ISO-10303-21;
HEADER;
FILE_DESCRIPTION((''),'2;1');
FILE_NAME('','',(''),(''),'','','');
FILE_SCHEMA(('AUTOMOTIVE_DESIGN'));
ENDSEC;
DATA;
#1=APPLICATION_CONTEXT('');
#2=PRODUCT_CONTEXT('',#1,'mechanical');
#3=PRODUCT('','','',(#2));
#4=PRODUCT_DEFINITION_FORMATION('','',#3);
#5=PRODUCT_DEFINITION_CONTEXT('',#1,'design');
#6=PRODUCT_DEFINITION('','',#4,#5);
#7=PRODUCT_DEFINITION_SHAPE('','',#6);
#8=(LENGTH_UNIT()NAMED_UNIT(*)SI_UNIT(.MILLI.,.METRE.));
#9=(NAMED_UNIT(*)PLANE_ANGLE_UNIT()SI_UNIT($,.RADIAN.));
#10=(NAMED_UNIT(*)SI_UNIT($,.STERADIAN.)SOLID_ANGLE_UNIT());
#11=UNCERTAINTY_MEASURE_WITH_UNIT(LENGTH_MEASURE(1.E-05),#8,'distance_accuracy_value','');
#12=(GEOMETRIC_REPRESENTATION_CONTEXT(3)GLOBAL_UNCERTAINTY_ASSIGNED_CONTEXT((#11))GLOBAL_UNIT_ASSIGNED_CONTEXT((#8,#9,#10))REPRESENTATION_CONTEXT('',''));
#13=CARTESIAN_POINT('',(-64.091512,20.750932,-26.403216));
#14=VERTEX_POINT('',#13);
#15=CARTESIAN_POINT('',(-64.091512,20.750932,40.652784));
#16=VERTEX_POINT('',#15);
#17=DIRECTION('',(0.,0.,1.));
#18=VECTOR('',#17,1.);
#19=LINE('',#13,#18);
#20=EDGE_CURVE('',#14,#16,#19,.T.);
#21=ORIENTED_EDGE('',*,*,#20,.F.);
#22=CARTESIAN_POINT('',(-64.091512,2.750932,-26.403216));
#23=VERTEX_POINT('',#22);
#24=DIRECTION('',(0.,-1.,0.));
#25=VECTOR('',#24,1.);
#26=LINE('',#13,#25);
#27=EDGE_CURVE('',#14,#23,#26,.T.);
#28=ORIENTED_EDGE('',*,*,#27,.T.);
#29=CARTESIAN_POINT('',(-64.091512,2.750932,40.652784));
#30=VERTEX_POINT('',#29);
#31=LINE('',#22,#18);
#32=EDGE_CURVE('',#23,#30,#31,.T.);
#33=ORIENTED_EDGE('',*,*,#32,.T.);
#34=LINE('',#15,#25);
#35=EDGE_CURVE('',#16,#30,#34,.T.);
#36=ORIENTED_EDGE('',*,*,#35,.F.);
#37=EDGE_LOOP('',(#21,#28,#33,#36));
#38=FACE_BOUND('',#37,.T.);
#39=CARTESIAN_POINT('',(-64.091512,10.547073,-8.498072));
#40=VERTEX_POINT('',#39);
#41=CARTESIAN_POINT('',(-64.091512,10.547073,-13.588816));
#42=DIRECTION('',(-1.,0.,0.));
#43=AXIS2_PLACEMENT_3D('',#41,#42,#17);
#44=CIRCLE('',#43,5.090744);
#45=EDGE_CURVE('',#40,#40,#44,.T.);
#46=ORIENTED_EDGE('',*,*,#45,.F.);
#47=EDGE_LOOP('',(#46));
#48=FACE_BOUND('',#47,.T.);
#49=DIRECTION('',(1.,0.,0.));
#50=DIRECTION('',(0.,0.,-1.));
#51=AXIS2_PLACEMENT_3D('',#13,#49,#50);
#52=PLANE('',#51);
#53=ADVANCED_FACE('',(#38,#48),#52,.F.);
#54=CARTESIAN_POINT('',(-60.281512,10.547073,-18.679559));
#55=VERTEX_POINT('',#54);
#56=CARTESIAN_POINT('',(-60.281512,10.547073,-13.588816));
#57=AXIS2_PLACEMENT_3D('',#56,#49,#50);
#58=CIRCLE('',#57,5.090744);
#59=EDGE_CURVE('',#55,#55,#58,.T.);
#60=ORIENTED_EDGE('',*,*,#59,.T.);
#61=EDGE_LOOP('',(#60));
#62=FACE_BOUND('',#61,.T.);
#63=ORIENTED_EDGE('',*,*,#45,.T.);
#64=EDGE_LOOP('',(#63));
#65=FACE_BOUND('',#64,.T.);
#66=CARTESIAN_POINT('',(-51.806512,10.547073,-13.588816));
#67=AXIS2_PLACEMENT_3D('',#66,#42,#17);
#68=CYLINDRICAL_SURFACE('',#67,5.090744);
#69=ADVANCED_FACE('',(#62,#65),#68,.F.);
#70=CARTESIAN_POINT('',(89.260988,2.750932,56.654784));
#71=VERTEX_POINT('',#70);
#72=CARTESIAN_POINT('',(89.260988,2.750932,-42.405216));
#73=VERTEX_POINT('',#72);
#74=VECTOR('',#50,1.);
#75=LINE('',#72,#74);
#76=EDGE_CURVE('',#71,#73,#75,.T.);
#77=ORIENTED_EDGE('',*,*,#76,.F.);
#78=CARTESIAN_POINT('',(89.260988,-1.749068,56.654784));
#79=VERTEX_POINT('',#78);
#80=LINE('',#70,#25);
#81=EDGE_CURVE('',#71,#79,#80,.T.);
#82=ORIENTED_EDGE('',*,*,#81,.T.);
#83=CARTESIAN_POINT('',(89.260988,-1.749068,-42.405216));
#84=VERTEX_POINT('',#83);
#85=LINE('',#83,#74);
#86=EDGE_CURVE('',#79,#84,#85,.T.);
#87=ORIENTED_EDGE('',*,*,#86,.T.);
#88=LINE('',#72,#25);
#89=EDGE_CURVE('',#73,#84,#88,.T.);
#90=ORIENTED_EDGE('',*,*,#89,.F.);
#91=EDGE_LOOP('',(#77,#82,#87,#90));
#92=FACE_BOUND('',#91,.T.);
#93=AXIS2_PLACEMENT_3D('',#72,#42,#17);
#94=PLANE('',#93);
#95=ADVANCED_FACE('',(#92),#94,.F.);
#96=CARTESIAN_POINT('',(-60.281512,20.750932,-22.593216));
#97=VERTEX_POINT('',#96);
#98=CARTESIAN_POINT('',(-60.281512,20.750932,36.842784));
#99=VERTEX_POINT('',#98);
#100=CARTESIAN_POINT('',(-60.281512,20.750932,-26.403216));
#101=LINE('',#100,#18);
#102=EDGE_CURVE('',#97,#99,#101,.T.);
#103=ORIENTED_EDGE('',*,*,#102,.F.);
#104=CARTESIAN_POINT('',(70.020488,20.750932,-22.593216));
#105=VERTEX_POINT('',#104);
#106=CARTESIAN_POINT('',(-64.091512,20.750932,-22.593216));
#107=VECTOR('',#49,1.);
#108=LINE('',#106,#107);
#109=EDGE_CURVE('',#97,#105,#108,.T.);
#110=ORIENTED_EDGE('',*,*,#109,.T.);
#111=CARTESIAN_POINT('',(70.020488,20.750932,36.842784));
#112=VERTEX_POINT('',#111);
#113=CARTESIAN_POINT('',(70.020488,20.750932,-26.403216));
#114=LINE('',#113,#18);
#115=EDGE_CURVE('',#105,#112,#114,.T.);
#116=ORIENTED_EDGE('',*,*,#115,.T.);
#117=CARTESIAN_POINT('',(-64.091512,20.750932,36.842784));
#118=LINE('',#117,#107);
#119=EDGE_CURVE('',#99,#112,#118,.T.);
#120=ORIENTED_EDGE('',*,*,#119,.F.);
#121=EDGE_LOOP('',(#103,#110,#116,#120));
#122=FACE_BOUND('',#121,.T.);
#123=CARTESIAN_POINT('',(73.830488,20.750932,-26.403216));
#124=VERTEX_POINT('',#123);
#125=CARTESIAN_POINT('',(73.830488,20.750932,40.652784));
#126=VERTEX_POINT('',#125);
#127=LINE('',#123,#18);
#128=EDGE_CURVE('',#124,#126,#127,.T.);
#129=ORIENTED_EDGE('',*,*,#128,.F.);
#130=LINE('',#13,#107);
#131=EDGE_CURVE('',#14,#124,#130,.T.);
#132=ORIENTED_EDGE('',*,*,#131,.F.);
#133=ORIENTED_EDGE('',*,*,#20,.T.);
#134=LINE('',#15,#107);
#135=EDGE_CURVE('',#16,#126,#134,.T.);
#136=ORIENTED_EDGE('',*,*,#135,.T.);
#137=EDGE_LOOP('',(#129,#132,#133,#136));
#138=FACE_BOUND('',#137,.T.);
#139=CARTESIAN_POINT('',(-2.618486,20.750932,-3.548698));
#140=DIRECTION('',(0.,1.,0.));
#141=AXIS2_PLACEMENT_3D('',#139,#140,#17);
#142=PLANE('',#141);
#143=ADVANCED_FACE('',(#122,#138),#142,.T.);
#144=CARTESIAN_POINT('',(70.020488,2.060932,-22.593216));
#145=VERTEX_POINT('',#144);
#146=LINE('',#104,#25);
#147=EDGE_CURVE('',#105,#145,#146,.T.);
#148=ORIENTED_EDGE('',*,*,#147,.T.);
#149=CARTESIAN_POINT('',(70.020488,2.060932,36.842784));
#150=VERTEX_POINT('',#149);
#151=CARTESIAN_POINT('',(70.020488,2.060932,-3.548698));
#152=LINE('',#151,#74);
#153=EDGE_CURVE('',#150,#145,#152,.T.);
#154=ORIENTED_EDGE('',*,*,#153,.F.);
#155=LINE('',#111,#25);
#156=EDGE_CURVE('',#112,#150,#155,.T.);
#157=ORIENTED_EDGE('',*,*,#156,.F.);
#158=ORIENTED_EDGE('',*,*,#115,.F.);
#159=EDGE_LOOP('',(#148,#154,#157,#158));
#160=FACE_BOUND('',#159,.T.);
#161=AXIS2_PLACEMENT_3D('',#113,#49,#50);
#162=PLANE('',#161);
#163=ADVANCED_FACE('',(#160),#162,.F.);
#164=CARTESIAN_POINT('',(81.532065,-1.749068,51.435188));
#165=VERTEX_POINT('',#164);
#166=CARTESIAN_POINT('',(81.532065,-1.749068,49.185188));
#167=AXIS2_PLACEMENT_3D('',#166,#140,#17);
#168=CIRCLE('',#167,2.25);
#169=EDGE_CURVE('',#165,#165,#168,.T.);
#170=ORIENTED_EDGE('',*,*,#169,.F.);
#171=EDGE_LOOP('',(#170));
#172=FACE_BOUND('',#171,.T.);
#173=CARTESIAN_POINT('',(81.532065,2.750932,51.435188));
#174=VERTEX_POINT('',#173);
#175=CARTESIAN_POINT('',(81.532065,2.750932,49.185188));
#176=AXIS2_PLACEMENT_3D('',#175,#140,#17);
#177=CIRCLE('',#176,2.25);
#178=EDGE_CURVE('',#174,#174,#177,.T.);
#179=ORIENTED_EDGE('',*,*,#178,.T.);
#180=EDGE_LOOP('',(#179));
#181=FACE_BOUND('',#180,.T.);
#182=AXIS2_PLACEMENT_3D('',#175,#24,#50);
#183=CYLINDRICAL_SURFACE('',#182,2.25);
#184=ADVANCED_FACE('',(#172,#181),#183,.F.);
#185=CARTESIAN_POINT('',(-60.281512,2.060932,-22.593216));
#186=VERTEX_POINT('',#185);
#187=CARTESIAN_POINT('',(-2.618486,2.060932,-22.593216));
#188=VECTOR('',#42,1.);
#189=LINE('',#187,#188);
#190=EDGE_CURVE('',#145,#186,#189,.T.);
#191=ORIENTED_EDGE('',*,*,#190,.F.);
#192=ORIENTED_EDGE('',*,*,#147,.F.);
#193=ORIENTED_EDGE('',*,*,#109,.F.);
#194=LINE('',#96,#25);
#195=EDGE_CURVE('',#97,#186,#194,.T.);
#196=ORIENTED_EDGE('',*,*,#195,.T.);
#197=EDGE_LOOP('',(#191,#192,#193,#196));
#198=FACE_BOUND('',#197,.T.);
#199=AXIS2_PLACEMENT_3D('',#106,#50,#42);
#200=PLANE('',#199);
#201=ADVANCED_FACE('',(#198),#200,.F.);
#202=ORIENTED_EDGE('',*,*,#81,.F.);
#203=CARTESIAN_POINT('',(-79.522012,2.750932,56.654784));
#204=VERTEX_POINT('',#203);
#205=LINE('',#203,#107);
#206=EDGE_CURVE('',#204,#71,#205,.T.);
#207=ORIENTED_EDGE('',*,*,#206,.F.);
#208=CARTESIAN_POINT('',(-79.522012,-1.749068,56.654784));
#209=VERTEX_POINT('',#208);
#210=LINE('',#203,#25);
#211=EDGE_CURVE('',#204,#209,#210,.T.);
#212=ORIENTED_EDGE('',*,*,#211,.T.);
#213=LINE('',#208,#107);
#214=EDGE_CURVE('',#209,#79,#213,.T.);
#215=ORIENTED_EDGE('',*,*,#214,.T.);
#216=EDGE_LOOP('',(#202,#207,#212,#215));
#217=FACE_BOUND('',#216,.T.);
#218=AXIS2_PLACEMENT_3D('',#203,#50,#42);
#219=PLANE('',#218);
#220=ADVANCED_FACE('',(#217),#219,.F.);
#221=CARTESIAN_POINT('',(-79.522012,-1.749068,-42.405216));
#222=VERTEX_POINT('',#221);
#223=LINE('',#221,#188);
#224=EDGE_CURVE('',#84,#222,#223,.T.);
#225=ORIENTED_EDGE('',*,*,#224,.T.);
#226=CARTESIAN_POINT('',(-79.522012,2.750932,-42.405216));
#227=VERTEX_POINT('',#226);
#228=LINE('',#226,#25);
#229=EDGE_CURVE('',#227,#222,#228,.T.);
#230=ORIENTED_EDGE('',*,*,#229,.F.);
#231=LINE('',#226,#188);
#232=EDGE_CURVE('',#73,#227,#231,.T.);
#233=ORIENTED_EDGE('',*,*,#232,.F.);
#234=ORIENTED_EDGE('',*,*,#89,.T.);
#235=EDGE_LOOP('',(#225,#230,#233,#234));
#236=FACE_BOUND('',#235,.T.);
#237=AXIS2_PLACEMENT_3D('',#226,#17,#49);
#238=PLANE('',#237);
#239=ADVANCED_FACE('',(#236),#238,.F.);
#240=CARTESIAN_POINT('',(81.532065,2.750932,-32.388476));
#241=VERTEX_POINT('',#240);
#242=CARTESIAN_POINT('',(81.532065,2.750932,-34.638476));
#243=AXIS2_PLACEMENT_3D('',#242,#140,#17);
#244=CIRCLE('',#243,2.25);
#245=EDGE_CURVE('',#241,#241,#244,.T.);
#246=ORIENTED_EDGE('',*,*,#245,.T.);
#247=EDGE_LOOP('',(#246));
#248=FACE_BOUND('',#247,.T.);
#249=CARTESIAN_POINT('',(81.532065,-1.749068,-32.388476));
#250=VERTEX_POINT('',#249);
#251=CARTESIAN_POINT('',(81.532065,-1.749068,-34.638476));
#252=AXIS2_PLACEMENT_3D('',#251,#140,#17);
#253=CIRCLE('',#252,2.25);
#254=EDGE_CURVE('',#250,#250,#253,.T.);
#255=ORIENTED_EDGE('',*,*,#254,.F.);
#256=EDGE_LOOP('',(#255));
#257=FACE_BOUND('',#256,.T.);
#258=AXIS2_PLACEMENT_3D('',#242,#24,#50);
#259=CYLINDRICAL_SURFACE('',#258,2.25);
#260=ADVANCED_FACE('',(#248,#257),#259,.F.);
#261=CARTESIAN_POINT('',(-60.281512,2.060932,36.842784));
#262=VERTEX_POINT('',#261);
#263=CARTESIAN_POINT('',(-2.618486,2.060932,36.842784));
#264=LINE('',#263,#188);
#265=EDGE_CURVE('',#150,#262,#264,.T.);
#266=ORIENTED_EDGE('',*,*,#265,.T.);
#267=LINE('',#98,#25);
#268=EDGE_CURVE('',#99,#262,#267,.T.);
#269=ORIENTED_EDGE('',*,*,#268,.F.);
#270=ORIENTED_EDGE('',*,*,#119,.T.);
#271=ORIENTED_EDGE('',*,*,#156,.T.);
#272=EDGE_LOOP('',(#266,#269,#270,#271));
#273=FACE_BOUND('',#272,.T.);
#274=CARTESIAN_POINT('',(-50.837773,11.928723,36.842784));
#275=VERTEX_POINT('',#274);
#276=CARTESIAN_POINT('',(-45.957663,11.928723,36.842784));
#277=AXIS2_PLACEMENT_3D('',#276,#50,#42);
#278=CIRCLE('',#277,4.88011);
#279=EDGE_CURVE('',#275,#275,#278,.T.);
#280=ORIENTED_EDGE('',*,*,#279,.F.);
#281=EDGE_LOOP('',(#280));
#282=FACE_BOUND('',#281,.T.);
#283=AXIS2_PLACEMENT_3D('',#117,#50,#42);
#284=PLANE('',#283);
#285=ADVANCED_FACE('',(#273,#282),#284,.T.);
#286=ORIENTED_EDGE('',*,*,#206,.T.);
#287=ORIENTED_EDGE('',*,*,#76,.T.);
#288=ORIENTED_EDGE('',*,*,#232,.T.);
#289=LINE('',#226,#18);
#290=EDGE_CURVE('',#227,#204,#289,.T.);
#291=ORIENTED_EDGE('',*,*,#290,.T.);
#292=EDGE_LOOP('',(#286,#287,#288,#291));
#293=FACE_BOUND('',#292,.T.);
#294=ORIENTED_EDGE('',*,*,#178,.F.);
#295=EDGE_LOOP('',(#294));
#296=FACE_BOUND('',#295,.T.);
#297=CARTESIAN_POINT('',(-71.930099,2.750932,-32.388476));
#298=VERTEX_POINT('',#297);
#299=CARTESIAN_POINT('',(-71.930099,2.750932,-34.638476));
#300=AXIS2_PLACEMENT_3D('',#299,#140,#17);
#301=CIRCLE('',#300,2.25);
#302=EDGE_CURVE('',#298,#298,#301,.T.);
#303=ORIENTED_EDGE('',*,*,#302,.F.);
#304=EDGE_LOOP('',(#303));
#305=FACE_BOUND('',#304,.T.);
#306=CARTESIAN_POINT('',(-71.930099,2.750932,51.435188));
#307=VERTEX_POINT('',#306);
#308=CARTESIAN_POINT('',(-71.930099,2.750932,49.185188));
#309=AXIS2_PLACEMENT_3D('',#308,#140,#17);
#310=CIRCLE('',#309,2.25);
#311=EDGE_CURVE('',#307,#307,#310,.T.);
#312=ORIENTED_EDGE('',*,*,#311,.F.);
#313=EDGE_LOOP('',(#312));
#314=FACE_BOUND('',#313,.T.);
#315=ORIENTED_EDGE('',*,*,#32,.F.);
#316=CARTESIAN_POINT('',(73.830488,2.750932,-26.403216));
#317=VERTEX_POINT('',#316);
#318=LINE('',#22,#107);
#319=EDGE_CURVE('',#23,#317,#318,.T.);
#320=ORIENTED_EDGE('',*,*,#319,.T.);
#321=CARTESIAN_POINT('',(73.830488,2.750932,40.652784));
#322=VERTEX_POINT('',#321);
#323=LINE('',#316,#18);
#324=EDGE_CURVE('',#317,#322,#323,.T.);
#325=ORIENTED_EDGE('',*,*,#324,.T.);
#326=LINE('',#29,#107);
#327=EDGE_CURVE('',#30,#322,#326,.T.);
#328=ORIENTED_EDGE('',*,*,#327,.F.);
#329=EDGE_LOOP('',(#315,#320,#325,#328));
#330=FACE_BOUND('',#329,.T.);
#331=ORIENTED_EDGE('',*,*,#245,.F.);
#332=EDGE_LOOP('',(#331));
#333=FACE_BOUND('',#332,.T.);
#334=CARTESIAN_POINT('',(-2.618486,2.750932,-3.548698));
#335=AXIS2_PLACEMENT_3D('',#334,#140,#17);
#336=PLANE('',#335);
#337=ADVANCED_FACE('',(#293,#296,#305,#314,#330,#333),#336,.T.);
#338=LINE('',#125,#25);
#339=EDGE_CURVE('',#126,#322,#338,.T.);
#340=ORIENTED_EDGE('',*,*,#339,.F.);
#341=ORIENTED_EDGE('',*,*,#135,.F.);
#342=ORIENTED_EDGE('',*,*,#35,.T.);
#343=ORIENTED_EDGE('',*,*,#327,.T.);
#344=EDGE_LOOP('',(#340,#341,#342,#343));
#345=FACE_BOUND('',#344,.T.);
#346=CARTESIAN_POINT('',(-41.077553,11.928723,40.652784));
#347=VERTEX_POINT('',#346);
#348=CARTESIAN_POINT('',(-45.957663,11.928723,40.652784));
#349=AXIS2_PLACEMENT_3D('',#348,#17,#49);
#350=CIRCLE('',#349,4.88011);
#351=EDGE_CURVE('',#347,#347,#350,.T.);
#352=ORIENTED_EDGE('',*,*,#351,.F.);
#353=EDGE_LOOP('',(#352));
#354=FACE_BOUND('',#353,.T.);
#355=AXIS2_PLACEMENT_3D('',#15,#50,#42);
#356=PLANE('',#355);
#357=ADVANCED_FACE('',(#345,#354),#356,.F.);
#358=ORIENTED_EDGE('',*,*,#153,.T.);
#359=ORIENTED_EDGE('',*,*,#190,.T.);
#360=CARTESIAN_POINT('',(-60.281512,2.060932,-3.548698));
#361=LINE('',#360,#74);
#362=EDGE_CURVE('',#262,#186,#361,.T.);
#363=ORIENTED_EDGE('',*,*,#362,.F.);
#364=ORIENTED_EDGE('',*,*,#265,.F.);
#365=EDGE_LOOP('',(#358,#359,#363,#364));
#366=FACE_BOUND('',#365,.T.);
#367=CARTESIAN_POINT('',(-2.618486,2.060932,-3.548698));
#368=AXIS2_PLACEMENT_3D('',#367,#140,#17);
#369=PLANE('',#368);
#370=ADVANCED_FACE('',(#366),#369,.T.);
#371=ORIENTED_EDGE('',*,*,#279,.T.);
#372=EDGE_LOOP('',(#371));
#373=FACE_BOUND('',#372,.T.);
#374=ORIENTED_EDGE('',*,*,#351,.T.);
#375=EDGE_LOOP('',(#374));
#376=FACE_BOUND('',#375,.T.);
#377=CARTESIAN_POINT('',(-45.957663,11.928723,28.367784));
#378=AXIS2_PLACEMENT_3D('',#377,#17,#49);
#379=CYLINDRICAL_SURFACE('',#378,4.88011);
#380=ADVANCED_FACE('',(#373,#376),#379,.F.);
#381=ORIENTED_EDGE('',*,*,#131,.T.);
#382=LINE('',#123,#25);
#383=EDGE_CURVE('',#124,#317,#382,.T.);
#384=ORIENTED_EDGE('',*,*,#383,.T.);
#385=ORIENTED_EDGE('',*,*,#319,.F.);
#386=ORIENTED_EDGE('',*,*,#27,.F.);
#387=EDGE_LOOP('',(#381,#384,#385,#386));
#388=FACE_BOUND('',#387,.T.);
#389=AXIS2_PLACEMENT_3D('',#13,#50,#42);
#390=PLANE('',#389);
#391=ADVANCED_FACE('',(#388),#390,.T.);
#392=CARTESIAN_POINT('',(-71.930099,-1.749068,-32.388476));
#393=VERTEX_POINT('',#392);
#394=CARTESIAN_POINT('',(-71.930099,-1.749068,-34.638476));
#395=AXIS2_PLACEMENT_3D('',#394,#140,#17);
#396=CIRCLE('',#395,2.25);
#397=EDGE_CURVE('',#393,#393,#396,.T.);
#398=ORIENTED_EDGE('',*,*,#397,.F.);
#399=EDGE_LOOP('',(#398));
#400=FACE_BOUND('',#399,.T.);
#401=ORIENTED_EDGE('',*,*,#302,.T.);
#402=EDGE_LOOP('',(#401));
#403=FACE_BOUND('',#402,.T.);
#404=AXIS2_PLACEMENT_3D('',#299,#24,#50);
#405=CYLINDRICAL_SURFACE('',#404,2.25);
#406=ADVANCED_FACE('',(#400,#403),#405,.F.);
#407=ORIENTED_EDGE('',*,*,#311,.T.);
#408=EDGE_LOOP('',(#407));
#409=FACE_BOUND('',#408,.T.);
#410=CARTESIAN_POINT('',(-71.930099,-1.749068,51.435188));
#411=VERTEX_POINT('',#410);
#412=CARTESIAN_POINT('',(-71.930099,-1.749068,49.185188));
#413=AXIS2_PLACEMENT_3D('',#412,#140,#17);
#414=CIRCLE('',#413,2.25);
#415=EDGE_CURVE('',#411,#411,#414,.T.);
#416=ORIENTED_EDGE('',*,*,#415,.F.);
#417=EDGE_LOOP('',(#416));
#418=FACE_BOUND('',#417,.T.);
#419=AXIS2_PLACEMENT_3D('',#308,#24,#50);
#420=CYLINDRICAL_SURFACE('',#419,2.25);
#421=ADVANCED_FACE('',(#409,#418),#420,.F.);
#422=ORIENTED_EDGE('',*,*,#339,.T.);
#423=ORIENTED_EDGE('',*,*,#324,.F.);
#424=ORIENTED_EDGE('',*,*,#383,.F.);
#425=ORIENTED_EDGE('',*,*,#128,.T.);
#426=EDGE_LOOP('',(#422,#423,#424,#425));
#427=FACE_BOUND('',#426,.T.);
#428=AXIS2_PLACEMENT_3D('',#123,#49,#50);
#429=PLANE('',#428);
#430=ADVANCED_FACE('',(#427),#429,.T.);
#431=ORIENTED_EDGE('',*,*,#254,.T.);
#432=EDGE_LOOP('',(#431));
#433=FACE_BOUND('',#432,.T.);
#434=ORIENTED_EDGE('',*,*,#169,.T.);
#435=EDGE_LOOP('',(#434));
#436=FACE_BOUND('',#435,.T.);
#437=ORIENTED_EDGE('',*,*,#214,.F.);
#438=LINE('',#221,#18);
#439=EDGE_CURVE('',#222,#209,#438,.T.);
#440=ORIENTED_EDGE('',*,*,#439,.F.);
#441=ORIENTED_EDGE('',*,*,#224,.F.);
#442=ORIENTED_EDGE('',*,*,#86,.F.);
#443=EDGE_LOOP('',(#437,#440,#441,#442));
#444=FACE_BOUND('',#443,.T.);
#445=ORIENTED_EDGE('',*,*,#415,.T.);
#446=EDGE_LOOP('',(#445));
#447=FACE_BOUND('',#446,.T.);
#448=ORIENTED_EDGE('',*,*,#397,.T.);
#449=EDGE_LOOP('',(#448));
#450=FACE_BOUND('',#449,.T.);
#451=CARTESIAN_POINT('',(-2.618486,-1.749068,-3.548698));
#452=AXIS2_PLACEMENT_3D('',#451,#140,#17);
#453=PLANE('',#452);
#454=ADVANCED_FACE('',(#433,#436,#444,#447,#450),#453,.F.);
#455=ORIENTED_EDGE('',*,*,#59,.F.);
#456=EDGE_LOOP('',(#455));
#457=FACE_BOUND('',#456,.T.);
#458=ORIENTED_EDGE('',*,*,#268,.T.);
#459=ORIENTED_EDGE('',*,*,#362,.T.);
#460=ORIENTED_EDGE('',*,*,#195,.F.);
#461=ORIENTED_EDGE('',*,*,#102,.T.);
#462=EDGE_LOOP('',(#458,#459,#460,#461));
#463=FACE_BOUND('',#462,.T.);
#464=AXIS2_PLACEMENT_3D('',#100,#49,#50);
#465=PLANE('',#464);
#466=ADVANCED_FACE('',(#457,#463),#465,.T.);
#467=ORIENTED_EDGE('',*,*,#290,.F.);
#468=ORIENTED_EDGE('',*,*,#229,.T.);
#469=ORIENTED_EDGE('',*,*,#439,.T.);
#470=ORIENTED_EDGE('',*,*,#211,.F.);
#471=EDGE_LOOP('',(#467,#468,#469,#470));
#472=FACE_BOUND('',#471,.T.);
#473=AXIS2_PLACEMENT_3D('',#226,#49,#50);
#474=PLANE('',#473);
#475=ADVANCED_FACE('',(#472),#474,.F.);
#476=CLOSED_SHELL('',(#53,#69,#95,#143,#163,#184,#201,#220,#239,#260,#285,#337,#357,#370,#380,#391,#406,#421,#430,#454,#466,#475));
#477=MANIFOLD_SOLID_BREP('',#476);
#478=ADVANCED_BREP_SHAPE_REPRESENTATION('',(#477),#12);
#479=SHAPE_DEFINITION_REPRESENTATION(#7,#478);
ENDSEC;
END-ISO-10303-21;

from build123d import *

# Parameters (mm, degrees)
SKETCH1_W           = 112.522
SKETCH1_H           = 66.04
SKETCH1_R           = 1.5
BOSS_EXTRUDE1_DEPTH = 3
SKETCH4_W           = 91.948
SKETCH4_H           = 44.704
BOSS_EXTRUDE2_DEPTH = 12
SHELL1_T            = -2.54
SKETCH13_R          = 3.253406585
CUT_EXTRUDE1_DEPTH  = 8.19
SKETCH15_R          = 3.393829234
CUT_EXTRUDE2_DEPTH  = 8.19
SCALE1_SCALE        = 1.5


with BuildPart() as part:
    # Sketch1 → Boss-Extrude1 (new body)
    with BuildSketch(Plane(origin=(0, 0, 0), x_dir=(1, 0, 0), z_dir=(0, 1, 0))):
        with Locations((4.991983213, -7.115654676)):
            Rectangle(SKETCH1_W, SKETCH1_H)
        with Locations(Location((-46.207741765, 20.726518927, 0), (0, 0, 270))):
            Circle(SKETCH1_R, mode=Mode.SUBTRACT)
        with Locations(Location((56.100367261, 20.726518927, 0), (0, 0, 270))):
            Circle(SKETCH1_R, mode=Mode.SUBTRACT)
        with Locations(Location((56.100367261, -35.155923699, 0), (0, 0, 270))):
            Circle(SKETCH1_R, mode=Mode.SUBTRACT)
        with Locations(Location((-46.207741765, -35.155923699, 0), (0, 0, 270))):
            Circle(SKETCH1_R, mode=Mode.SUBTRACT)
    extrude(amount=BOSS_EXTRUDE1_DEPTH)

    # Sketch4 → Boss-Extrude2 (add)
    with BuildSketch(Plane(origin=(0, 3, 0), x_dir=(1, 0, 0), z_dir=(0, 1, 0))):
        with Locations((4.991983213, -7.115654676)):
            Rectangle(SKETCH4_W, SKETCH4_H)
    extrude(amount=BOSS_EXTRUDE2_DEPTH)

    # Shell1
    shell1_openings = [part.faces().sort_by_distance(p)[0] for p in [
        (4.991983213, 15, 7.115654676),
    ]]
    offset(amount=SHELL1_T, openings=shell1_openings, kind=Kind.INTERSECTION)

    # Sketch13 → Cut-Extrude1 (cut)
    with BuildSketch(Plane.XY.offset(29.467654676)):
        with Locations((-28.892784248, 9.118527178)):
            Circle(SKETCH13_R)
    extrude(amount=-CUT_EXTRUDE1_DEPTH, mode=Mode.SUBTRACT)

    # Sketch15 → Cut-Extrude2 (cut)
    with BuildSketch(Plane.ZY.offset(40.982016787)):
        with Locations((-6.693412029, 8.197427611)):
            Circle(SKETCH15_R)
    extrude(amount=-CUT_EXTRUDE2_DEPTH, mode=Mode.SUBTRACT)


with BuildPart() as part_1:
    # Scale1: scaled about (5.236972756, 3.498136201, 7.097395086)
    add(part.part.scale(SCALE1_SCALE).moved(Location((-2.618486378, -1.7490681, -3.548697543))))


solid = part_1.part
